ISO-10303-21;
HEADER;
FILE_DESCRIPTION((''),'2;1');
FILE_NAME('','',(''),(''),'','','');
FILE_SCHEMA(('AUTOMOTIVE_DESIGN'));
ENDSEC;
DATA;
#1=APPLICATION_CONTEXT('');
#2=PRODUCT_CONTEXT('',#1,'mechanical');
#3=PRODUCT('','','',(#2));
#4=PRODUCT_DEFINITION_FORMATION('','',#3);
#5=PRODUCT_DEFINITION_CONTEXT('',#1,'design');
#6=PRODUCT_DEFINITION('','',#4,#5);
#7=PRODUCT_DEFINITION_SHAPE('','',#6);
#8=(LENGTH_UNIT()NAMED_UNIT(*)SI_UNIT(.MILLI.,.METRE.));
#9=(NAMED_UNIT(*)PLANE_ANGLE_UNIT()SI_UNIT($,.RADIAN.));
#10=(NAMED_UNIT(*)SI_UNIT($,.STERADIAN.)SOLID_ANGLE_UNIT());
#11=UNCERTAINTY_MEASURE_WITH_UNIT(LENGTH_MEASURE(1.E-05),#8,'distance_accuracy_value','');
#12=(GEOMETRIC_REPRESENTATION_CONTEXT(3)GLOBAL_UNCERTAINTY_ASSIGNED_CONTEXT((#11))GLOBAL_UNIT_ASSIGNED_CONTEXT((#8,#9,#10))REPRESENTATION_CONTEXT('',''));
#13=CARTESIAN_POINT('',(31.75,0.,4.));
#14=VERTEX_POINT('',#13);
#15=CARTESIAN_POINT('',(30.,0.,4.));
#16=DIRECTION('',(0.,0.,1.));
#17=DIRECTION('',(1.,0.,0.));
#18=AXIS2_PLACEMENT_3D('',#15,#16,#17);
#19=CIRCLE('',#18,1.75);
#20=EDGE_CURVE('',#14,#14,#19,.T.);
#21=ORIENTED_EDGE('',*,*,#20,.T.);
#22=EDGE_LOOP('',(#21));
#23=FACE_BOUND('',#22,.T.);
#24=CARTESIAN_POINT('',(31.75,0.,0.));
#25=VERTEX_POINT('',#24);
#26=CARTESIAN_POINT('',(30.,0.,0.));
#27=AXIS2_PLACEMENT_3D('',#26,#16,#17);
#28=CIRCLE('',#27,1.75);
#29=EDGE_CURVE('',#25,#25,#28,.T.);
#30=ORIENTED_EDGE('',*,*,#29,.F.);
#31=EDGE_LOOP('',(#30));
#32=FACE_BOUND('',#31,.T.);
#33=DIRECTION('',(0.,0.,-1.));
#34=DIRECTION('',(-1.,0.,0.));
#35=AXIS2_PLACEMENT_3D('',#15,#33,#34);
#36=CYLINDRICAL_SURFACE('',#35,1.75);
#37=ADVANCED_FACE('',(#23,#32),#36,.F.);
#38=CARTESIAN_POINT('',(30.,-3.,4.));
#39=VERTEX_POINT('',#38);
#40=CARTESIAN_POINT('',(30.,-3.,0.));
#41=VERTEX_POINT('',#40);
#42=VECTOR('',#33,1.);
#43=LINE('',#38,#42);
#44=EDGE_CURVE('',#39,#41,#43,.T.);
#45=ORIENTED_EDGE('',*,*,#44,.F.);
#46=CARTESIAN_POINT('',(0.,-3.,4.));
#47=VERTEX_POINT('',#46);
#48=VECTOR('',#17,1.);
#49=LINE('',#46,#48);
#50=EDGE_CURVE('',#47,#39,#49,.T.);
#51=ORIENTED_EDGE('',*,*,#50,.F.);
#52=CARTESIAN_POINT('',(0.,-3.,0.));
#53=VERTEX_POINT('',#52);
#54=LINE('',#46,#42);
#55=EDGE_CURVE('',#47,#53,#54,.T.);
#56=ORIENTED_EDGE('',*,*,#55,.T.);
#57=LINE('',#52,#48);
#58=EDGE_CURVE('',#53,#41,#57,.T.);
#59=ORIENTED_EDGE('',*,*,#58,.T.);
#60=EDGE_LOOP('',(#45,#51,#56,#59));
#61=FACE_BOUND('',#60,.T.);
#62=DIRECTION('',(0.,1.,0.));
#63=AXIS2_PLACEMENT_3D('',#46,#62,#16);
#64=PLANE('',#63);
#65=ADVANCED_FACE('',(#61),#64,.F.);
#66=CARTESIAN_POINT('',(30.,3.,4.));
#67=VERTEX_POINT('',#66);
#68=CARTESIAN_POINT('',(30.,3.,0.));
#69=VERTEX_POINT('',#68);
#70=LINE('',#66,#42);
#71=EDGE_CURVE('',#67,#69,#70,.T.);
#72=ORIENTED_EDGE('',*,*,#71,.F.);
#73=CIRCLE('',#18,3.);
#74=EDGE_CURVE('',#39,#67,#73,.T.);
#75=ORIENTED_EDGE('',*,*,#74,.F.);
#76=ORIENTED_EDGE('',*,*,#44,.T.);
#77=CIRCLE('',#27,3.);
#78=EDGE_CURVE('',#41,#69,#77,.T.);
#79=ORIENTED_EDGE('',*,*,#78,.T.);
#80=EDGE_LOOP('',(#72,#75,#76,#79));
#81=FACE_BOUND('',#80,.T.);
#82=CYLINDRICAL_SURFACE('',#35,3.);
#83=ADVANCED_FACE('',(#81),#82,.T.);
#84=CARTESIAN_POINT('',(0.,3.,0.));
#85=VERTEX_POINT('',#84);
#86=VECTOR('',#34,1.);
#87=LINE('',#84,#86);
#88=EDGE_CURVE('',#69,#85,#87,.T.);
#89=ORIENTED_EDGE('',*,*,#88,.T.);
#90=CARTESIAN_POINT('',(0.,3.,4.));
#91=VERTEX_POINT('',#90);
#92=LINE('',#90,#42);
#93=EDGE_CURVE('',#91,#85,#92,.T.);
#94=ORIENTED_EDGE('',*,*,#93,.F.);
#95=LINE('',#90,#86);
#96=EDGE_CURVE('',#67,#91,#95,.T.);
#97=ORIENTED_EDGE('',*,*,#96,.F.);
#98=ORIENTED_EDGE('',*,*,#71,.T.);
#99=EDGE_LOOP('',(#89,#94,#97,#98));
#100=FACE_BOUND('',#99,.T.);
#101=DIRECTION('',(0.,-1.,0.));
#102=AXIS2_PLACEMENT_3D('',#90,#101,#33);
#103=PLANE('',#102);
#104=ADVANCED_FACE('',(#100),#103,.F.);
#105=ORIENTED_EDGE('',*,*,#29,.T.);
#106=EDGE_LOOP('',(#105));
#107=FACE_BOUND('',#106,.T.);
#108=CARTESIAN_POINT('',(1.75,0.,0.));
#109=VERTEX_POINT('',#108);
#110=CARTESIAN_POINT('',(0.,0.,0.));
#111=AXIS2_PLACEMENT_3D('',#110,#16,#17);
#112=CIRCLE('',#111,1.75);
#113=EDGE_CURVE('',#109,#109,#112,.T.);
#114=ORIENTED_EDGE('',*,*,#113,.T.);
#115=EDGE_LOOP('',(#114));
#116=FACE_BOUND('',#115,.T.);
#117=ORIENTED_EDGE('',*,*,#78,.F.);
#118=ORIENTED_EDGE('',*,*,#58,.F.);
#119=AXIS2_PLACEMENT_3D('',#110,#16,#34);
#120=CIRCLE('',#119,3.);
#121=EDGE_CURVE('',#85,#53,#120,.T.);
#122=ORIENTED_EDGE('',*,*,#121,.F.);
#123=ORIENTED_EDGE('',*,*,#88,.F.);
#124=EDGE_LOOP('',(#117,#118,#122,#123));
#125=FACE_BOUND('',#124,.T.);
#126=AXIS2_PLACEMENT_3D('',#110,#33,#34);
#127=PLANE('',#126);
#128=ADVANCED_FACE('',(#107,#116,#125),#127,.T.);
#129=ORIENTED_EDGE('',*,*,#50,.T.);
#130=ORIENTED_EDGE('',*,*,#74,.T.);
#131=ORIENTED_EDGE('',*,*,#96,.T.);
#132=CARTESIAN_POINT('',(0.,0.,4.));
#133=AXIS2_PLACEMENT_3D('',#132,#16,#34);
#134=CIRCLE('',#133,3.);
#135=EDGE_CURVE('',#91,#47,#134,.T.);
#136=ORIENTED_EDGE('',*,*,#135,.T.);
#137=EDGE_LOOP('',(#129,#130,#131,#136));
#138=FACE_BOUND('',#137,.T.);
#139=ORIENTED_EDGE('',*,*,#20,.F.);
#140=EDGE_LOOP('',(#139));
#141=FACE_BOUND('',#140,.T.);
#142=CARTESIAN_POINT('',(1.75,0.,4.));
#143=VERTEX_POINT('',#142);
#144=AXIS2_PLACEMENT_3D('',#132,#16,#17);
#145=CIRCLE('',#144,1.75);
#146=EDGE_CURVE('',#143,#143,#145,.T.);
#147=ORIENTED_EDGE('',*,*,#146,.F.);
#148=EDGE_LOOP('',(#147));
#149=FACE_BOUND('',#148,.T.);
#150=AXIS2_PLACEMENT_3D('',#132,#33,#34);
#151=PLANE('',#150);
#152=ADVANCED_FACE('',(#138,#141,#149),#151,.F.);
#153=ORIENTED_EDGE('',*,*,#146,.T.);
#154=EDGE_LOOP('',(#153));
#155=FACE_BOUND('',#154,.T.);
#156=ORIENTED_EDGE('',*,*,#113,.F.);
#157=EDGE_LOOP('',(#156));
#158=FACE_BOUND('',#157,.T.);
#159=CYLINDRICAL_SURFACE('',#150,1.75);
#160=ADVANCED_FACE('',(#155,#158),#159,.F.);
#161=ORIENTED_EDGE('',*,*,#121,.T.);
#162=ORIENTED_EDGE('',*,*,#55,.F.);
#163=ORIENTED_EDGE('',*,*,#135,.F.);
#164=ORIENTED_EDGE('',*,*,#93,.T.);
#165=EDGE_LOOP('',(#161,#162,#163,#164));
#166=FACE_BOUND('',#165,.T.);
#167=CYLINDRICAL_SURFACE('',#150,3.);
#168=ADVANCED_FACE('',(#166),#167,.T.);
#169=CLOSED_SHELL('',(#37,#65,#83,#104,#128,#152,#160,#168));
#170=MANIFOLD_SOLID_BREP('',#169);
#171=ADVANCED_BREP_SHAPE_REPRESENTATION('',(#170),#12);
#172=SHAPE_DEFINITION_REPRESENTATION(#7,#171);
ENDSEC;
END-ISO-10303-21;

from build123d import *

# Parameters (mm, degrees)
SKETCH_1_R      = 1.75
EXTRUDE_1_DEPTH = 4


with BuildPart() as part:
    # 草图1 → 凸台-拉伸1 (new body)
    with BuildSketch(Plane.XY):
        with BuildLine():
            Line((0, -3), (30, -3))
            ThreePointArc((30, -3), (33, 0), (30, 3))
            Line((30, 3), (0, 3))
            ThreePointArc((0, 3), (-3, 0), (0, -3))
        make_face()
        Circle(SKETCH_1_R, mode=Mode.SUBTRACT)
        with Locations((30, 0)):
            Circle(SKETCH_1_R, mode=Mode.SUBTRACT)
    extrude(amount=EXTRUDE_1_DEPTH)


solid = part.part
